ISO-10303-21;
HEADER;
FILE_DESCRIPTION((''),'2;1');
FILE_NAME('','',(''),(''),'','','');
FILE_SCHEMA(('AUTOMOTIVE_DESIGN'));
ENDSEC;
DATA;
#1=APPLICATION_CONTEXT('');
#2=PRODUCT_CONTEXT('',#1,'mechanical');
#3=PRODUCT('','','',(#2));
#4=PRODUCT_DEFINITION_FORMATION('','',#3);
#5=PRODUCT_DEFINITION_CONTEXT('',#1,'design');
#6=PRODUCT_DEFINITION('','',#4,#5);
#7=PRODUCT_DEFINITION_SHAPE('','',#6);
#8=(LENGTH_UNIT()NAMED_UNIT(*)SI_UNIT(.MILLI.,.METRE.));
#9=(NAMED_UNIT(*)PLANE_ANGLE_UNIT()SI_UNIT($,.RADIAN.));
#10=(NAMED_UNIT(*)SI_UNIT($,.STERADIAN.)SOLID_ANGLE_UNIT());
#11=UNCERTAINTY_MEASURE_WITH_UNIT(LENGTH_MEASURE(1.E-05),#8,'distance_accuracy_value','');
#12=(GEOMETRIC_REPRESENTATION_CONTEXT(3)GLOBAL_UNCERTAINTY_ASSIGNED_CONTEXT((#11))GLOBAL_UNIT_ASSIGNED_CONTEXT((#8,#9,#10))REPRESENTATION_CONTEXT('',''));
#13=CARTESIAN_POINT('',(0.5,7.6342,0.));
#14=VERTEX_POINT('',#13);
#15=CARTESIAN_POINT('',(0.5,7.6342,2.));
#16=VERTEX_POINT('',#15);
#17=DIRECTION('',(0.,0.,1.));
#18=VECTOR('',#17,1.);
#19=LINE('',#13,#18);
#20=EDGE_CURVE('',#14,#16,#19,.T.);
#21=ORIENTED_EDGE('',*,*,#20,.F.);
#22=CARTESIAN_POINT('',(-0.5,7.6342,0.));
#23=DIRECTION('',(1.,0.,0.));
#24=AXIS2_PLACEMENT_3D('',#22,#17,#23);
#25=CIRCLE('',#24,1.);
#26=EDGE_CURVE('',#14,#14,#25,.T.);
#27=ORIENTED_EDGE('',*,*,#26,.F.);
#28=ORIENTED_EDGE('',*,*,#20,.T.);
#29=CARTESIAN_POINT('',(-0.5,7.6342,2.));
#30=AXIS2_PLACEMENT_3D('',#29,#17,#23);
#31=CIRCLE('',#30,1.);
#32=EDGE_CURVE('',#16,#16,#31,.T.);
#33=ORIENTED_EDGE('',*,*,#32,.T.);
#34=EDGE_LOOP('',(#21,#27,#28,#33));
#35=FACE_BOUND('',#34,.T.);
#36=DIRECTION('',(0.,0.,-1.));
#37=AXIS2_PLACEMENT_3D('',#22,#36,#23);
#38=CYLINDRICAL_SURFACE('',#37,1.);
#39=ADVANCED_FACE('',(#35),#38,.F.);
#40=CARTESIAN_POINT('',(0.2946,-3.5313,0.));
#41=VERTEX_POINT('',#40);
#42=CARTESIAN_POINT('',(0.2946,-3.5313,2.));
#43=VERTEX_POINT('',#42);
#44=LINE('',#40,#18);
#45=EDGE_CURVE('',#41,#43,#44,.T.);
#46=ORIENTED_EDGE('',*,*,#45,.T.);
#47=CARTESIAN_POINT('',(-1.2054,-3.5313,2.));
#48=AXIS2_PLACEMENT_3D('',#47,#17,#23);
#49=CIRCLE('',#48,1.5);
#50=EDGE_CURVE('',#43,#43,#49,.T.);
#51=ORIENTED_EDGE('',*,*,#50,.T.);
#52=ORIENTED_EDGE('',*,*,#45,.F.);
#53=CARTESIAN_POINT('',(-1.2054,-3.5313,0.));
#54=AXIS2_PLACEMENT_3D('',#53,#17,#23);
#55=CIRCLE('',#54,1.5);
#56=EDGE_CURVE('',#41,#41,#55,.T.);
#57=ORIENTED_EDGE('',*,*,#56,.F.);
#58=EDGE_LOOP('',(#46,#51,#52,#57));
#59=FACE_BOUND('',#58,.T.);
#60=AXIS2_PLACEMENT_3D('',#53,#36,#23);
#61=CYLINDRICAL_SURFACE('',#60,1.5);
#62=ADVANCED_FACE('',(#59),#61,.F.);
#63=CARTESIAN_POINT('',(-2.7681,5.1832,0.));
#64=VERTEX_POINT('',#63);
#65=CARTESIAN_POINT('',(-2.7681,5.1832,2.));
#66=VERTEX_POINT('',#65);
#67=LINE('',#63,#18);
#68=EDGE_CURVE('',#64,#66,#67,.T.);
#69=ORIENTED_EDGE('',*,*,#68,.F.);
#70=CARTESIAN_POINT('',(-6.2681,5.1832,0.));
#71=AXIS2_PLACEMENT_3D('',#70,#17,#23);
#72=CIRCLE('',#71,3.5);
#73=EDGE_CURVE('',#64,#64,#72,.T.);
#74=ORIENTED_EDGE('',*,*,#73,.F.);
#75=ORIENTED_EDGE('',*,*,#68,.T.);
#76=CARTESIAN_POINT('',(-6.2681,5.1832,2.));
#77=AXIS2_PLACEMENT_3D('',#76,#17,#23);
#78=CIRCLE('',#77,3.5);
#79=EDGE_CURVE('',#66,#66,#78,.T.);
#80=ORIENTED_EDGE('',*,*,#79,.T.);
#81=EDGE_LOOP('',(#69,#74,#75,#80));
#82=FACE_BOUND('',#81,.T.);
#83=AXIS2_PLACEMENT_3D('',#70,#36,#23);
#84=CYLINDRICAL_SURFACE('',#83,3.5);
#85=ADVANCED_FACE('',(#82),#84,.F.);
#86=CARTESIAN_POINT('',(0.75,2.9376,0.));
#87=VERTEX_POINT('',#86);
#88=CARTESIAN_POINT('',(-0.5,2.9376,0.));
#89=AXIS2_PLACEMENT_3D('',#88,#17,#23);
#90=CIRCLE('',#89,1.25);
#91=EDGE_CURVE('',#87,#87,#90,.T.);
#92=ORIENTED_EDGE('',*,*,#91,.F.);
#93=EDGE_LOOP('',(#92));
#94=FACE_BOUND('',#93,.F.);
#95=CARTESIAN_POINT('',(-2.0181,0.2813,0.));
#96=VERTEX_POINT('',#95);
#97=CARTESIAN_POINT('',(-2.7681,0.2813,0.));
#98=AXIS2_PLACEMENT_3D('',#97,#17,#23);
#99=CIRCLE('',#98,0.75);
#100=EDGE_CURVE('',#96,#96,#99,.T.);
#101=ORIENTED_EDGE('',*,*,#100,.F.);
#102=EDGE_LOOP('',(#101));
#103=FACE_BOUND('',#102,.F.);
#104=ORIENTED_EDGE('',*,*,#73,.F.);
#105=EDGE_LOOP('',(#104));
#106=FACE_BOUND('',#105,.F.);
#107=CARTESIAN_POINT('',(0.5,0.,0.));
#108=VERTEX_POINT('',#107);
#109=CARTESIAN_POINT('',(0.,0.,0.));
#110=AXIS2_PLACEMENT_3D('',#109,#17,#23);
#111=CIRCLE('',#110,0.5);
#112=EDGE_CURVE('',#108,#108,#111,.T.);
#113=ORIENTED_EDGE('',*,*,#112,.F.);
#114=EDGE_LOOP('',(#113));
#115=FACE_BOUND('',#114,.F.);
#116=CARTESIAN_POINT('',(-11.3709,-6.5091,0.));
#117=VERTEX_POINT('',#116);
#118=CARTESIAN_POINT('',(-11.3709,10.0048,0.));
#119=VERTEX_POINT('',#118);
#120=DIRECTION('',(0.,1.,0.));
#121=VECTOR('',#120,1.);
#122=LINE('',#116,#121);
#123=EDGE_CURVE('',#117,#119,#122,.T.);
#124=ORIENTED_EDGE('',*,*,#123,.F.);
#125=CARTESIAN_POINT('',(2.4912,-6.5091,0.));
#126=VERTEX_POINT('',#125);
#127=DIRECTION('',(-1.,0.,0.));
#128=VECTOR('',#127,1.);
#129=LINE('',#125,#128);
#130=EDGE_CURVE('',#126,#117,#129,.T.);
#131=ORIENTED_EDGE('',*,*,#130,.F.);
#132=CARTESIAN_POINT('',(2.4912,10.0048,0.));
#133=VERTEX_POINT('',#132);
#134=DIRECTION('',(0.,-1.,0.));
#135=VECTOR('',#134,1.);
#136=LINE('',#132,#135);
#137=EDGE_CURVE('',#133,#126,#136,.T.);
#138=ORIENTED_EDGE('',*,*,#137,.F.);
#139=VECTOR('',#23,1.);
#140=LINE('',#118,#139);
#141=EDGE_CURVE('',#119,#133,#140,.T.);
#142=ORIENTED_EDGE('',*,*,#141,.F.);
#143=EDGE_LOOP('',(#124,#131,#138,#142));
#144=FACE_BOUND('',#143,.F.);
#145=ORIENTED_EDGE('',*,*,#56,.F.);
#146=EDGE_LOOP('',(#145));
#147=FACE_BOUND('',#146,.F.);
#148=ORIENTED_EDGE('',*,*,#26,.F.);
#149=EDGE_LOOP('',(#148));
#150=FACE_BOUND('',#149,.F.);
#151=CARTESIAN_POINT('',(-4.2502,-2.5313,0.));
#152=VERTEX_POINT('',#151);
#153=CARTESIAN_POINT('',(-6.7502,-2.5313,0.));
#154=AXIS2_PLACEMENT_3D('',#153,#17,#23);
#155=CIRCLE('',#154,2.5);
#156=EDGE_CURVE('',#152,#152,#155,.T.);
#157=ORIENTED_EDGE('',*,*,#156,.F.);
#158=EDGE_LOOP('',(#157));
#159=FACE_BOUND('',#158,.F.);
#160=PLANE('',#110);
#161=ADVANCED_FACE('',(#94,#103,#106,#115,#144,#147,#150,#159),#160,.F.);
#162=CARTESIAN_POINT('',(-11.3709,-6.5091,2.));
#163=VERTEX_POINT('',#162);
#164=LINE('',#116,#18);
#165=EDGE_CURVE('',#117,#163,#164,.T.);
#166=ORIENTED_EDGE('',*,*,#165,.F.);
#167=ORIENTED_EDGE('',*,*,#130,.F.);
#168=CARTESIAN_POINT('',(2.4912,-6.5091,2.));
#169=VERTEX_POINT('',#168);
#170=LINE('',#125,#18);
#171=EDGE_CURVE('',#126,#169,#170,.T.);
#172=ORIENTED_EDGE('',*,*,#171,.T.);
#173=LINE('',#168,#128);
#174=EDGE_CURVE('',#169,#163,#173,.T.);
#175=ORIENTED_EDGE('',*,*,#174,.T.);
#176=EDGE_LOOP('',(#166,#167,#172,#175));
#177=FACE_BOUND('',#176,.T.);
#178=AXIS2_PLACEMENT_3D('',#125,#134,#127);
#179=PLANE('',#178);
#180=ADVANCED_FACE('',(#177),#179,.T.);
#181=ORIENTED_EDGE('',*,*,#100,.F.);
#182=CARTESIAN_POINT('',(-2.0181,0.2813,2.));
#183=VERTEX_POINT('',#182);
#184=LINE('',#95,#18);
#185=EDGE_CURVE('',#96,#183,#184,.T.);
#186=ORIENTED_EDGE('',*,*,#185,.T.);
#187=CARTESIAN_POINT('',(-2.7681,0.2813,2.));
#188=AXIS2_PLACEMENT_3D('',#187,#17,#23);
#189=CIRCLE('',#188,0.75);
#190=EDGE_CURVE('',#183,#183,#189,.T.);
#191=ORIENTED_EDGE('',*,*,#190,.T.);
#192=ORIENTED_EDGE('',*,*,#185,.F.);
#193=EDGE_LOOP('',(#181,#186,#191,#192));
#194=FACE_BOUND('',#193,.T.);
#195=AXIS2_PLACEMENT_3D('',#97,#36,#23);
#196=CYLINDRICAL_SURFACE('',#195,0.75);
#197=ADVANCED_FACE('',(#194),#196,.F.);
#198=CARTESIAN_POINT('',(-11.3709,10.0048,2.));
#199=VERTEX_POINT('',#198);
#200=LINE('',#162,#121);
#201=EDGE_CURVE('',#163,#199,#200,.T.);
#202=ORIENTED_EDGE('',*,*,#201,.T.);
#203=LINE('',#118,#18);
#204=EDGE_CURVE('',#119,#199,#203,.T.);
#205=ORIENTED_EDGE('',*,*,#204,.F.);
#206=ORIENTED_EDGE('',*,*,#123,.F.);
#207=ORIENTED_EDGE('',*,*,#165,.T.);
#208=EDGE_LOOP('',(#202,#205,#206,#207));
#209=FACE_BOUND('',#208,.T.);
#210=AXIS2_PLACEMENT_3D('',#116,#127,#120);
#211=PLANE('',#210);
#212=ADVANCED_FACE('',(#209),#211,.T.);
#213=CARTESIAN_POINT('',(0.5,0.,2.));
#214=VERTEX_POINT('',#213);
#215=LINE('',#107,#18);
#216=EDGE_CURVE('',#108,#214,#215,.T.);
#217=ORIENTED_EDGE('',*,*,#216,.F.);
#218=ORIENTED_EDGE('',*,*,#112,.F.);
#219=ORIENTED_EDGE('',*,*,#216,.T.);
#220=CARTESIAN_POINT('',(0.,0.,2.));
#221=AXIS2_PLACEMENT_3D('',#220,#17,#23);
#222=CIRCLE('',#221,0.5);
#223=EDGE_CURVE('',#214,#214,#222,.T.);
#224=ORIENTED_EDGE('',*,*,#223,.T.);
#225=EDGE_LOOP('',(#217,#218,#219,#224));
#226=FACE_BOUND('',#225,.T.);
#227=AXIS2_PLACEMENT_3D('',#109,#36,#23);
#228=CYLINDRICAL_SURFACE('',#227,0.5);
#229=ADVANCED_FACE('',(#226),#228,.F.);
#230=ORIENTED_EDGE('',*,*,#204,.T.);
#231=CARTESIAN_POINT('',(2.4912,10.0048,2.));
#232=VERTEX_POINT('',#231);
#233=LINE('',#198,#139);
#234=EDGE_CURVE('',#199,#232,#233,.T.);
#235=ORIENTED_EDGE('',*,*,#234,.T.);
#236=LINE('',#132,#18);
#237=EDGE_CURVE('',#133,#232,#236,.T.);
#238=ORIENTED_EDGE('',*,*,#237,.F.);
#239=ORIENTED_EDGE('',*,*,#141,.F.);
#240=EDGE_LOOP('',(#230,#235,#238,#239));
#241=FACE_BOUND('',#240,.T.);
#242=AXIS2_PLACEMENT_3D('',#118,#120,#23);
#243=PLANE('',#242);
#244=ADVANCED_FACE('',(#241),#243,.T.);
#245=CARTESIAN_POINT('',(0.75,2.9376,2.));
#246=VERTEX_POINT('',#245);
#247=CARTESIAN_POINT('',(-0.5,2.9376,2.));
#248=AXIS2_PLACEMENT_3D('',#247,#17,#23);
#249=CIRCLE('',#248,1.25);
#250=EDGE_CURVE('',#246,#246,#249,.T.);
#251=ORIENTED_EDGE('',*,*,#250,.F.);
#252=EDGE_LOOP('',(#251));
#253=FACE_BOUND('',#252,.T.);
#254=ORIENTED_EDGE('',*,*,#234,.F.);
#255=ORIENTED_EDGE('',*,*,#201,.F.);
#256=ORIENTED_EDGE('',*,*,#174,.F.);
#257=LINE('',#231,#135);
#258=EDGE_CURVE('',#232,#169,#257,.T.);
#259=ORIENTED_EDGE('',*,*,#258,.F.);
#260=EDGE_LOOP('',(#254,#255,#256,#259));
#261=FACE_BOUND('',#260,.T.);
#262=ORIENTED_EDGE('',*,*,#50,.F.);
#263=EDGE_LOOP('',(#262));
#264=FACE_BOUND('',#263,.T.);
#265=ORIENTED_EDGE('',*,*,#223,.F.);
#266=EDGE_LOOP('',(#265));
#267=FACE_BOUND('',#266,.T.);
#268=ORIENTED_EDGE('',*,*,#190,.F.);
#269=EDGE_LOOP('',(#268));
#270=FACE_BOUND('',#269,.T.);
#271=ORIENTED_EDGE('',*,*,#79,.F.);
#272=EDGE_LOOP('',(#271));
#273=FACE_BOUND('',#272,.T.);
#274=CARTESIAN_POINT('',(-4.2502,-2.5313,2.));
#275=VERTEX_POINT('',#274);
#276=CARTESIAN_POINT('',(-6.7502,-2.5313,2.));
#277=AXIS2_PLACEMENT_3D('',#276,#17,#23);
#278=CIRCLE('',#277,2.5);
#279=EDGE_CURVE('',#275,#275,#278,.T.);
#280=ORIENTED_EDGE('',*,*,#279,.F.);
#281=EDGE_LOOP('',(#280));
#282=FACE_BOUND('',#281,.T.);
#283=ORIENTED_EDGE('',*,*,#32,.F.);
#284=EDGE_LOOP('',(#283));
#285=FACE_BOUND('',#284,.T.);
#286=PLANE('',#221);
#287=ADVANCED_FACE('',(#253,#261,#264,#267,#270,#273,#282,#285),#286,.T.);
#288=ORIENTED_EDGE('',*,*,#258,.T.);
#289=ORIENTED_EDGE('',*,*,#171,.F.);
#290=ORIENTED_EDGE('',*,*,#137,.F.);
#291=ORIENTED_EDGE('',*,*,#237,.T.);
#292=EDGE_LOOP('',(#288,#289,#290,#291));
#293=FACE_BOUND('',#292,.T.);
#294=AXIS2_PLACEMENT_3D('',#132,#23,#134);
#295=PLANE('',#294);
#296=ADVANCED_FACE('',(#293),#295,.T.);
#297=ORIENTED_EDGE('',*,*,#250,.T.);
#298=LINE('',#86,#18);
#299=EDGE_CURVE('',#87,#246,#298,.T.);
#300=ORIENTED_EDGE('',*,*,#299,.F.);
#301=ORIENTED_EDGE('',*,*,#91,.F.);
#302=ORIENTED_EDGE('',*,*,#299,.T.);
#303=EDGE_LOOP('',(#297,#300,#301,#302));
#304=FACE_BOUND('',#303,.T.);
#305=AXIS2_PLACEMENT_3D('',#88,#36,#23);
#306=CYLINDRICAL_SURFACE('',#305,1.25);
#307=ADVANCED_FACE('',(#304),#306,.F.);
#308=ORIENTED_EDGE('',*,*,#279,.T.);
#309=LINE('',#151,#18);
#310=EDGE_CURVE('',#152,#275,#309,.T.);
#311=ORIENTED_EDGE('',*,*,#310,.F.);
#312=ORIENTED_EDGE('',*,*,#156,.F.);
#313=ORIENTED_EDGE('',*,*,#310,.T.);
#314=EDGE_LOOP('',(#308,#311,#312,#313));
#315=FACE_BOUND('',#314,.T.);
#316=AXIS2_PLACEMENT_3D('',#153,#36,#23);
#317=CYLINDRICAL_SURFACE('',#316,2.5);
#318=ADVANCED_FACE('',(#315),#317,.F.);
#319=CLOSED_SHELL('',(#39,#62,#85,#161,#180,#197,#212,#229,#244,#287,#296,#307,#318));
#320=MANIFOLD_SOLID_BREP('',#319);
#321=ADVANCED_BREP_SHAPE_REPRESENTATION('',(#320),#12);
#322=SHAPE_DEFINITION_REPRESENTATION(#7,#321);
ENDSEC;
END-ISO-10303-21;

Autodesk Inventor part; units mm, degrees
ref_plane "YZ Plane" through (0, 0, 0) normal (1, 0, 0) x (0, 1, 0)
ref_plane "XZ Plane" through (0, 0, 0) normal (0, 1, 0) x (-1, 0, 0)
ref_plane "XY Plane" through (0, 0, 0) normal (0, 0, 1) x (1, 0, 0)
sketch "Sketch1" plane through (0, 0, 0) normal (0, 0, 1) x (1, 0, 0)
  circle A0 centre (0, 0) radius 0.5
  circle A1 centre (-2.7681, 0.2813) radius 0.75
  circle A2 centre (-0.5, 7.6342) radius 1
  circle A3 centre (-0.5, 2.9376) radius 1.25
  circle A4 centre (-1.2054, -3.5313) radius 1.5
  circle A5 centre (-6.7502, -2.5313) radius 2.5
  circle A6 centre (-6.2681, 5.1832) radius 3.5
  line L0 (2.4912, -6.5091) -> (-11.3709, -6.5091)
  line L1 (-11.3709, -6.5091) -> (-11.3709, 10.0048)
  line L2 (-11.3709, 10.0048) -> (2.4912, 10.0048)
  line L3 (2.4912, 10.0048) -> (2.4912, -6.5091)
  dimension "d0" = 1
  dimension "d1" = 1.5
  dimension "d2" = 2
  dimension "d3" = 2.5
  dimension "d4" = 3
  dimension "d5" = 5
  dimension "d6" = 7
extrude "Extrusion1" add sketch "Sketch1" along normal blind 2
properties part number "hole_test"
